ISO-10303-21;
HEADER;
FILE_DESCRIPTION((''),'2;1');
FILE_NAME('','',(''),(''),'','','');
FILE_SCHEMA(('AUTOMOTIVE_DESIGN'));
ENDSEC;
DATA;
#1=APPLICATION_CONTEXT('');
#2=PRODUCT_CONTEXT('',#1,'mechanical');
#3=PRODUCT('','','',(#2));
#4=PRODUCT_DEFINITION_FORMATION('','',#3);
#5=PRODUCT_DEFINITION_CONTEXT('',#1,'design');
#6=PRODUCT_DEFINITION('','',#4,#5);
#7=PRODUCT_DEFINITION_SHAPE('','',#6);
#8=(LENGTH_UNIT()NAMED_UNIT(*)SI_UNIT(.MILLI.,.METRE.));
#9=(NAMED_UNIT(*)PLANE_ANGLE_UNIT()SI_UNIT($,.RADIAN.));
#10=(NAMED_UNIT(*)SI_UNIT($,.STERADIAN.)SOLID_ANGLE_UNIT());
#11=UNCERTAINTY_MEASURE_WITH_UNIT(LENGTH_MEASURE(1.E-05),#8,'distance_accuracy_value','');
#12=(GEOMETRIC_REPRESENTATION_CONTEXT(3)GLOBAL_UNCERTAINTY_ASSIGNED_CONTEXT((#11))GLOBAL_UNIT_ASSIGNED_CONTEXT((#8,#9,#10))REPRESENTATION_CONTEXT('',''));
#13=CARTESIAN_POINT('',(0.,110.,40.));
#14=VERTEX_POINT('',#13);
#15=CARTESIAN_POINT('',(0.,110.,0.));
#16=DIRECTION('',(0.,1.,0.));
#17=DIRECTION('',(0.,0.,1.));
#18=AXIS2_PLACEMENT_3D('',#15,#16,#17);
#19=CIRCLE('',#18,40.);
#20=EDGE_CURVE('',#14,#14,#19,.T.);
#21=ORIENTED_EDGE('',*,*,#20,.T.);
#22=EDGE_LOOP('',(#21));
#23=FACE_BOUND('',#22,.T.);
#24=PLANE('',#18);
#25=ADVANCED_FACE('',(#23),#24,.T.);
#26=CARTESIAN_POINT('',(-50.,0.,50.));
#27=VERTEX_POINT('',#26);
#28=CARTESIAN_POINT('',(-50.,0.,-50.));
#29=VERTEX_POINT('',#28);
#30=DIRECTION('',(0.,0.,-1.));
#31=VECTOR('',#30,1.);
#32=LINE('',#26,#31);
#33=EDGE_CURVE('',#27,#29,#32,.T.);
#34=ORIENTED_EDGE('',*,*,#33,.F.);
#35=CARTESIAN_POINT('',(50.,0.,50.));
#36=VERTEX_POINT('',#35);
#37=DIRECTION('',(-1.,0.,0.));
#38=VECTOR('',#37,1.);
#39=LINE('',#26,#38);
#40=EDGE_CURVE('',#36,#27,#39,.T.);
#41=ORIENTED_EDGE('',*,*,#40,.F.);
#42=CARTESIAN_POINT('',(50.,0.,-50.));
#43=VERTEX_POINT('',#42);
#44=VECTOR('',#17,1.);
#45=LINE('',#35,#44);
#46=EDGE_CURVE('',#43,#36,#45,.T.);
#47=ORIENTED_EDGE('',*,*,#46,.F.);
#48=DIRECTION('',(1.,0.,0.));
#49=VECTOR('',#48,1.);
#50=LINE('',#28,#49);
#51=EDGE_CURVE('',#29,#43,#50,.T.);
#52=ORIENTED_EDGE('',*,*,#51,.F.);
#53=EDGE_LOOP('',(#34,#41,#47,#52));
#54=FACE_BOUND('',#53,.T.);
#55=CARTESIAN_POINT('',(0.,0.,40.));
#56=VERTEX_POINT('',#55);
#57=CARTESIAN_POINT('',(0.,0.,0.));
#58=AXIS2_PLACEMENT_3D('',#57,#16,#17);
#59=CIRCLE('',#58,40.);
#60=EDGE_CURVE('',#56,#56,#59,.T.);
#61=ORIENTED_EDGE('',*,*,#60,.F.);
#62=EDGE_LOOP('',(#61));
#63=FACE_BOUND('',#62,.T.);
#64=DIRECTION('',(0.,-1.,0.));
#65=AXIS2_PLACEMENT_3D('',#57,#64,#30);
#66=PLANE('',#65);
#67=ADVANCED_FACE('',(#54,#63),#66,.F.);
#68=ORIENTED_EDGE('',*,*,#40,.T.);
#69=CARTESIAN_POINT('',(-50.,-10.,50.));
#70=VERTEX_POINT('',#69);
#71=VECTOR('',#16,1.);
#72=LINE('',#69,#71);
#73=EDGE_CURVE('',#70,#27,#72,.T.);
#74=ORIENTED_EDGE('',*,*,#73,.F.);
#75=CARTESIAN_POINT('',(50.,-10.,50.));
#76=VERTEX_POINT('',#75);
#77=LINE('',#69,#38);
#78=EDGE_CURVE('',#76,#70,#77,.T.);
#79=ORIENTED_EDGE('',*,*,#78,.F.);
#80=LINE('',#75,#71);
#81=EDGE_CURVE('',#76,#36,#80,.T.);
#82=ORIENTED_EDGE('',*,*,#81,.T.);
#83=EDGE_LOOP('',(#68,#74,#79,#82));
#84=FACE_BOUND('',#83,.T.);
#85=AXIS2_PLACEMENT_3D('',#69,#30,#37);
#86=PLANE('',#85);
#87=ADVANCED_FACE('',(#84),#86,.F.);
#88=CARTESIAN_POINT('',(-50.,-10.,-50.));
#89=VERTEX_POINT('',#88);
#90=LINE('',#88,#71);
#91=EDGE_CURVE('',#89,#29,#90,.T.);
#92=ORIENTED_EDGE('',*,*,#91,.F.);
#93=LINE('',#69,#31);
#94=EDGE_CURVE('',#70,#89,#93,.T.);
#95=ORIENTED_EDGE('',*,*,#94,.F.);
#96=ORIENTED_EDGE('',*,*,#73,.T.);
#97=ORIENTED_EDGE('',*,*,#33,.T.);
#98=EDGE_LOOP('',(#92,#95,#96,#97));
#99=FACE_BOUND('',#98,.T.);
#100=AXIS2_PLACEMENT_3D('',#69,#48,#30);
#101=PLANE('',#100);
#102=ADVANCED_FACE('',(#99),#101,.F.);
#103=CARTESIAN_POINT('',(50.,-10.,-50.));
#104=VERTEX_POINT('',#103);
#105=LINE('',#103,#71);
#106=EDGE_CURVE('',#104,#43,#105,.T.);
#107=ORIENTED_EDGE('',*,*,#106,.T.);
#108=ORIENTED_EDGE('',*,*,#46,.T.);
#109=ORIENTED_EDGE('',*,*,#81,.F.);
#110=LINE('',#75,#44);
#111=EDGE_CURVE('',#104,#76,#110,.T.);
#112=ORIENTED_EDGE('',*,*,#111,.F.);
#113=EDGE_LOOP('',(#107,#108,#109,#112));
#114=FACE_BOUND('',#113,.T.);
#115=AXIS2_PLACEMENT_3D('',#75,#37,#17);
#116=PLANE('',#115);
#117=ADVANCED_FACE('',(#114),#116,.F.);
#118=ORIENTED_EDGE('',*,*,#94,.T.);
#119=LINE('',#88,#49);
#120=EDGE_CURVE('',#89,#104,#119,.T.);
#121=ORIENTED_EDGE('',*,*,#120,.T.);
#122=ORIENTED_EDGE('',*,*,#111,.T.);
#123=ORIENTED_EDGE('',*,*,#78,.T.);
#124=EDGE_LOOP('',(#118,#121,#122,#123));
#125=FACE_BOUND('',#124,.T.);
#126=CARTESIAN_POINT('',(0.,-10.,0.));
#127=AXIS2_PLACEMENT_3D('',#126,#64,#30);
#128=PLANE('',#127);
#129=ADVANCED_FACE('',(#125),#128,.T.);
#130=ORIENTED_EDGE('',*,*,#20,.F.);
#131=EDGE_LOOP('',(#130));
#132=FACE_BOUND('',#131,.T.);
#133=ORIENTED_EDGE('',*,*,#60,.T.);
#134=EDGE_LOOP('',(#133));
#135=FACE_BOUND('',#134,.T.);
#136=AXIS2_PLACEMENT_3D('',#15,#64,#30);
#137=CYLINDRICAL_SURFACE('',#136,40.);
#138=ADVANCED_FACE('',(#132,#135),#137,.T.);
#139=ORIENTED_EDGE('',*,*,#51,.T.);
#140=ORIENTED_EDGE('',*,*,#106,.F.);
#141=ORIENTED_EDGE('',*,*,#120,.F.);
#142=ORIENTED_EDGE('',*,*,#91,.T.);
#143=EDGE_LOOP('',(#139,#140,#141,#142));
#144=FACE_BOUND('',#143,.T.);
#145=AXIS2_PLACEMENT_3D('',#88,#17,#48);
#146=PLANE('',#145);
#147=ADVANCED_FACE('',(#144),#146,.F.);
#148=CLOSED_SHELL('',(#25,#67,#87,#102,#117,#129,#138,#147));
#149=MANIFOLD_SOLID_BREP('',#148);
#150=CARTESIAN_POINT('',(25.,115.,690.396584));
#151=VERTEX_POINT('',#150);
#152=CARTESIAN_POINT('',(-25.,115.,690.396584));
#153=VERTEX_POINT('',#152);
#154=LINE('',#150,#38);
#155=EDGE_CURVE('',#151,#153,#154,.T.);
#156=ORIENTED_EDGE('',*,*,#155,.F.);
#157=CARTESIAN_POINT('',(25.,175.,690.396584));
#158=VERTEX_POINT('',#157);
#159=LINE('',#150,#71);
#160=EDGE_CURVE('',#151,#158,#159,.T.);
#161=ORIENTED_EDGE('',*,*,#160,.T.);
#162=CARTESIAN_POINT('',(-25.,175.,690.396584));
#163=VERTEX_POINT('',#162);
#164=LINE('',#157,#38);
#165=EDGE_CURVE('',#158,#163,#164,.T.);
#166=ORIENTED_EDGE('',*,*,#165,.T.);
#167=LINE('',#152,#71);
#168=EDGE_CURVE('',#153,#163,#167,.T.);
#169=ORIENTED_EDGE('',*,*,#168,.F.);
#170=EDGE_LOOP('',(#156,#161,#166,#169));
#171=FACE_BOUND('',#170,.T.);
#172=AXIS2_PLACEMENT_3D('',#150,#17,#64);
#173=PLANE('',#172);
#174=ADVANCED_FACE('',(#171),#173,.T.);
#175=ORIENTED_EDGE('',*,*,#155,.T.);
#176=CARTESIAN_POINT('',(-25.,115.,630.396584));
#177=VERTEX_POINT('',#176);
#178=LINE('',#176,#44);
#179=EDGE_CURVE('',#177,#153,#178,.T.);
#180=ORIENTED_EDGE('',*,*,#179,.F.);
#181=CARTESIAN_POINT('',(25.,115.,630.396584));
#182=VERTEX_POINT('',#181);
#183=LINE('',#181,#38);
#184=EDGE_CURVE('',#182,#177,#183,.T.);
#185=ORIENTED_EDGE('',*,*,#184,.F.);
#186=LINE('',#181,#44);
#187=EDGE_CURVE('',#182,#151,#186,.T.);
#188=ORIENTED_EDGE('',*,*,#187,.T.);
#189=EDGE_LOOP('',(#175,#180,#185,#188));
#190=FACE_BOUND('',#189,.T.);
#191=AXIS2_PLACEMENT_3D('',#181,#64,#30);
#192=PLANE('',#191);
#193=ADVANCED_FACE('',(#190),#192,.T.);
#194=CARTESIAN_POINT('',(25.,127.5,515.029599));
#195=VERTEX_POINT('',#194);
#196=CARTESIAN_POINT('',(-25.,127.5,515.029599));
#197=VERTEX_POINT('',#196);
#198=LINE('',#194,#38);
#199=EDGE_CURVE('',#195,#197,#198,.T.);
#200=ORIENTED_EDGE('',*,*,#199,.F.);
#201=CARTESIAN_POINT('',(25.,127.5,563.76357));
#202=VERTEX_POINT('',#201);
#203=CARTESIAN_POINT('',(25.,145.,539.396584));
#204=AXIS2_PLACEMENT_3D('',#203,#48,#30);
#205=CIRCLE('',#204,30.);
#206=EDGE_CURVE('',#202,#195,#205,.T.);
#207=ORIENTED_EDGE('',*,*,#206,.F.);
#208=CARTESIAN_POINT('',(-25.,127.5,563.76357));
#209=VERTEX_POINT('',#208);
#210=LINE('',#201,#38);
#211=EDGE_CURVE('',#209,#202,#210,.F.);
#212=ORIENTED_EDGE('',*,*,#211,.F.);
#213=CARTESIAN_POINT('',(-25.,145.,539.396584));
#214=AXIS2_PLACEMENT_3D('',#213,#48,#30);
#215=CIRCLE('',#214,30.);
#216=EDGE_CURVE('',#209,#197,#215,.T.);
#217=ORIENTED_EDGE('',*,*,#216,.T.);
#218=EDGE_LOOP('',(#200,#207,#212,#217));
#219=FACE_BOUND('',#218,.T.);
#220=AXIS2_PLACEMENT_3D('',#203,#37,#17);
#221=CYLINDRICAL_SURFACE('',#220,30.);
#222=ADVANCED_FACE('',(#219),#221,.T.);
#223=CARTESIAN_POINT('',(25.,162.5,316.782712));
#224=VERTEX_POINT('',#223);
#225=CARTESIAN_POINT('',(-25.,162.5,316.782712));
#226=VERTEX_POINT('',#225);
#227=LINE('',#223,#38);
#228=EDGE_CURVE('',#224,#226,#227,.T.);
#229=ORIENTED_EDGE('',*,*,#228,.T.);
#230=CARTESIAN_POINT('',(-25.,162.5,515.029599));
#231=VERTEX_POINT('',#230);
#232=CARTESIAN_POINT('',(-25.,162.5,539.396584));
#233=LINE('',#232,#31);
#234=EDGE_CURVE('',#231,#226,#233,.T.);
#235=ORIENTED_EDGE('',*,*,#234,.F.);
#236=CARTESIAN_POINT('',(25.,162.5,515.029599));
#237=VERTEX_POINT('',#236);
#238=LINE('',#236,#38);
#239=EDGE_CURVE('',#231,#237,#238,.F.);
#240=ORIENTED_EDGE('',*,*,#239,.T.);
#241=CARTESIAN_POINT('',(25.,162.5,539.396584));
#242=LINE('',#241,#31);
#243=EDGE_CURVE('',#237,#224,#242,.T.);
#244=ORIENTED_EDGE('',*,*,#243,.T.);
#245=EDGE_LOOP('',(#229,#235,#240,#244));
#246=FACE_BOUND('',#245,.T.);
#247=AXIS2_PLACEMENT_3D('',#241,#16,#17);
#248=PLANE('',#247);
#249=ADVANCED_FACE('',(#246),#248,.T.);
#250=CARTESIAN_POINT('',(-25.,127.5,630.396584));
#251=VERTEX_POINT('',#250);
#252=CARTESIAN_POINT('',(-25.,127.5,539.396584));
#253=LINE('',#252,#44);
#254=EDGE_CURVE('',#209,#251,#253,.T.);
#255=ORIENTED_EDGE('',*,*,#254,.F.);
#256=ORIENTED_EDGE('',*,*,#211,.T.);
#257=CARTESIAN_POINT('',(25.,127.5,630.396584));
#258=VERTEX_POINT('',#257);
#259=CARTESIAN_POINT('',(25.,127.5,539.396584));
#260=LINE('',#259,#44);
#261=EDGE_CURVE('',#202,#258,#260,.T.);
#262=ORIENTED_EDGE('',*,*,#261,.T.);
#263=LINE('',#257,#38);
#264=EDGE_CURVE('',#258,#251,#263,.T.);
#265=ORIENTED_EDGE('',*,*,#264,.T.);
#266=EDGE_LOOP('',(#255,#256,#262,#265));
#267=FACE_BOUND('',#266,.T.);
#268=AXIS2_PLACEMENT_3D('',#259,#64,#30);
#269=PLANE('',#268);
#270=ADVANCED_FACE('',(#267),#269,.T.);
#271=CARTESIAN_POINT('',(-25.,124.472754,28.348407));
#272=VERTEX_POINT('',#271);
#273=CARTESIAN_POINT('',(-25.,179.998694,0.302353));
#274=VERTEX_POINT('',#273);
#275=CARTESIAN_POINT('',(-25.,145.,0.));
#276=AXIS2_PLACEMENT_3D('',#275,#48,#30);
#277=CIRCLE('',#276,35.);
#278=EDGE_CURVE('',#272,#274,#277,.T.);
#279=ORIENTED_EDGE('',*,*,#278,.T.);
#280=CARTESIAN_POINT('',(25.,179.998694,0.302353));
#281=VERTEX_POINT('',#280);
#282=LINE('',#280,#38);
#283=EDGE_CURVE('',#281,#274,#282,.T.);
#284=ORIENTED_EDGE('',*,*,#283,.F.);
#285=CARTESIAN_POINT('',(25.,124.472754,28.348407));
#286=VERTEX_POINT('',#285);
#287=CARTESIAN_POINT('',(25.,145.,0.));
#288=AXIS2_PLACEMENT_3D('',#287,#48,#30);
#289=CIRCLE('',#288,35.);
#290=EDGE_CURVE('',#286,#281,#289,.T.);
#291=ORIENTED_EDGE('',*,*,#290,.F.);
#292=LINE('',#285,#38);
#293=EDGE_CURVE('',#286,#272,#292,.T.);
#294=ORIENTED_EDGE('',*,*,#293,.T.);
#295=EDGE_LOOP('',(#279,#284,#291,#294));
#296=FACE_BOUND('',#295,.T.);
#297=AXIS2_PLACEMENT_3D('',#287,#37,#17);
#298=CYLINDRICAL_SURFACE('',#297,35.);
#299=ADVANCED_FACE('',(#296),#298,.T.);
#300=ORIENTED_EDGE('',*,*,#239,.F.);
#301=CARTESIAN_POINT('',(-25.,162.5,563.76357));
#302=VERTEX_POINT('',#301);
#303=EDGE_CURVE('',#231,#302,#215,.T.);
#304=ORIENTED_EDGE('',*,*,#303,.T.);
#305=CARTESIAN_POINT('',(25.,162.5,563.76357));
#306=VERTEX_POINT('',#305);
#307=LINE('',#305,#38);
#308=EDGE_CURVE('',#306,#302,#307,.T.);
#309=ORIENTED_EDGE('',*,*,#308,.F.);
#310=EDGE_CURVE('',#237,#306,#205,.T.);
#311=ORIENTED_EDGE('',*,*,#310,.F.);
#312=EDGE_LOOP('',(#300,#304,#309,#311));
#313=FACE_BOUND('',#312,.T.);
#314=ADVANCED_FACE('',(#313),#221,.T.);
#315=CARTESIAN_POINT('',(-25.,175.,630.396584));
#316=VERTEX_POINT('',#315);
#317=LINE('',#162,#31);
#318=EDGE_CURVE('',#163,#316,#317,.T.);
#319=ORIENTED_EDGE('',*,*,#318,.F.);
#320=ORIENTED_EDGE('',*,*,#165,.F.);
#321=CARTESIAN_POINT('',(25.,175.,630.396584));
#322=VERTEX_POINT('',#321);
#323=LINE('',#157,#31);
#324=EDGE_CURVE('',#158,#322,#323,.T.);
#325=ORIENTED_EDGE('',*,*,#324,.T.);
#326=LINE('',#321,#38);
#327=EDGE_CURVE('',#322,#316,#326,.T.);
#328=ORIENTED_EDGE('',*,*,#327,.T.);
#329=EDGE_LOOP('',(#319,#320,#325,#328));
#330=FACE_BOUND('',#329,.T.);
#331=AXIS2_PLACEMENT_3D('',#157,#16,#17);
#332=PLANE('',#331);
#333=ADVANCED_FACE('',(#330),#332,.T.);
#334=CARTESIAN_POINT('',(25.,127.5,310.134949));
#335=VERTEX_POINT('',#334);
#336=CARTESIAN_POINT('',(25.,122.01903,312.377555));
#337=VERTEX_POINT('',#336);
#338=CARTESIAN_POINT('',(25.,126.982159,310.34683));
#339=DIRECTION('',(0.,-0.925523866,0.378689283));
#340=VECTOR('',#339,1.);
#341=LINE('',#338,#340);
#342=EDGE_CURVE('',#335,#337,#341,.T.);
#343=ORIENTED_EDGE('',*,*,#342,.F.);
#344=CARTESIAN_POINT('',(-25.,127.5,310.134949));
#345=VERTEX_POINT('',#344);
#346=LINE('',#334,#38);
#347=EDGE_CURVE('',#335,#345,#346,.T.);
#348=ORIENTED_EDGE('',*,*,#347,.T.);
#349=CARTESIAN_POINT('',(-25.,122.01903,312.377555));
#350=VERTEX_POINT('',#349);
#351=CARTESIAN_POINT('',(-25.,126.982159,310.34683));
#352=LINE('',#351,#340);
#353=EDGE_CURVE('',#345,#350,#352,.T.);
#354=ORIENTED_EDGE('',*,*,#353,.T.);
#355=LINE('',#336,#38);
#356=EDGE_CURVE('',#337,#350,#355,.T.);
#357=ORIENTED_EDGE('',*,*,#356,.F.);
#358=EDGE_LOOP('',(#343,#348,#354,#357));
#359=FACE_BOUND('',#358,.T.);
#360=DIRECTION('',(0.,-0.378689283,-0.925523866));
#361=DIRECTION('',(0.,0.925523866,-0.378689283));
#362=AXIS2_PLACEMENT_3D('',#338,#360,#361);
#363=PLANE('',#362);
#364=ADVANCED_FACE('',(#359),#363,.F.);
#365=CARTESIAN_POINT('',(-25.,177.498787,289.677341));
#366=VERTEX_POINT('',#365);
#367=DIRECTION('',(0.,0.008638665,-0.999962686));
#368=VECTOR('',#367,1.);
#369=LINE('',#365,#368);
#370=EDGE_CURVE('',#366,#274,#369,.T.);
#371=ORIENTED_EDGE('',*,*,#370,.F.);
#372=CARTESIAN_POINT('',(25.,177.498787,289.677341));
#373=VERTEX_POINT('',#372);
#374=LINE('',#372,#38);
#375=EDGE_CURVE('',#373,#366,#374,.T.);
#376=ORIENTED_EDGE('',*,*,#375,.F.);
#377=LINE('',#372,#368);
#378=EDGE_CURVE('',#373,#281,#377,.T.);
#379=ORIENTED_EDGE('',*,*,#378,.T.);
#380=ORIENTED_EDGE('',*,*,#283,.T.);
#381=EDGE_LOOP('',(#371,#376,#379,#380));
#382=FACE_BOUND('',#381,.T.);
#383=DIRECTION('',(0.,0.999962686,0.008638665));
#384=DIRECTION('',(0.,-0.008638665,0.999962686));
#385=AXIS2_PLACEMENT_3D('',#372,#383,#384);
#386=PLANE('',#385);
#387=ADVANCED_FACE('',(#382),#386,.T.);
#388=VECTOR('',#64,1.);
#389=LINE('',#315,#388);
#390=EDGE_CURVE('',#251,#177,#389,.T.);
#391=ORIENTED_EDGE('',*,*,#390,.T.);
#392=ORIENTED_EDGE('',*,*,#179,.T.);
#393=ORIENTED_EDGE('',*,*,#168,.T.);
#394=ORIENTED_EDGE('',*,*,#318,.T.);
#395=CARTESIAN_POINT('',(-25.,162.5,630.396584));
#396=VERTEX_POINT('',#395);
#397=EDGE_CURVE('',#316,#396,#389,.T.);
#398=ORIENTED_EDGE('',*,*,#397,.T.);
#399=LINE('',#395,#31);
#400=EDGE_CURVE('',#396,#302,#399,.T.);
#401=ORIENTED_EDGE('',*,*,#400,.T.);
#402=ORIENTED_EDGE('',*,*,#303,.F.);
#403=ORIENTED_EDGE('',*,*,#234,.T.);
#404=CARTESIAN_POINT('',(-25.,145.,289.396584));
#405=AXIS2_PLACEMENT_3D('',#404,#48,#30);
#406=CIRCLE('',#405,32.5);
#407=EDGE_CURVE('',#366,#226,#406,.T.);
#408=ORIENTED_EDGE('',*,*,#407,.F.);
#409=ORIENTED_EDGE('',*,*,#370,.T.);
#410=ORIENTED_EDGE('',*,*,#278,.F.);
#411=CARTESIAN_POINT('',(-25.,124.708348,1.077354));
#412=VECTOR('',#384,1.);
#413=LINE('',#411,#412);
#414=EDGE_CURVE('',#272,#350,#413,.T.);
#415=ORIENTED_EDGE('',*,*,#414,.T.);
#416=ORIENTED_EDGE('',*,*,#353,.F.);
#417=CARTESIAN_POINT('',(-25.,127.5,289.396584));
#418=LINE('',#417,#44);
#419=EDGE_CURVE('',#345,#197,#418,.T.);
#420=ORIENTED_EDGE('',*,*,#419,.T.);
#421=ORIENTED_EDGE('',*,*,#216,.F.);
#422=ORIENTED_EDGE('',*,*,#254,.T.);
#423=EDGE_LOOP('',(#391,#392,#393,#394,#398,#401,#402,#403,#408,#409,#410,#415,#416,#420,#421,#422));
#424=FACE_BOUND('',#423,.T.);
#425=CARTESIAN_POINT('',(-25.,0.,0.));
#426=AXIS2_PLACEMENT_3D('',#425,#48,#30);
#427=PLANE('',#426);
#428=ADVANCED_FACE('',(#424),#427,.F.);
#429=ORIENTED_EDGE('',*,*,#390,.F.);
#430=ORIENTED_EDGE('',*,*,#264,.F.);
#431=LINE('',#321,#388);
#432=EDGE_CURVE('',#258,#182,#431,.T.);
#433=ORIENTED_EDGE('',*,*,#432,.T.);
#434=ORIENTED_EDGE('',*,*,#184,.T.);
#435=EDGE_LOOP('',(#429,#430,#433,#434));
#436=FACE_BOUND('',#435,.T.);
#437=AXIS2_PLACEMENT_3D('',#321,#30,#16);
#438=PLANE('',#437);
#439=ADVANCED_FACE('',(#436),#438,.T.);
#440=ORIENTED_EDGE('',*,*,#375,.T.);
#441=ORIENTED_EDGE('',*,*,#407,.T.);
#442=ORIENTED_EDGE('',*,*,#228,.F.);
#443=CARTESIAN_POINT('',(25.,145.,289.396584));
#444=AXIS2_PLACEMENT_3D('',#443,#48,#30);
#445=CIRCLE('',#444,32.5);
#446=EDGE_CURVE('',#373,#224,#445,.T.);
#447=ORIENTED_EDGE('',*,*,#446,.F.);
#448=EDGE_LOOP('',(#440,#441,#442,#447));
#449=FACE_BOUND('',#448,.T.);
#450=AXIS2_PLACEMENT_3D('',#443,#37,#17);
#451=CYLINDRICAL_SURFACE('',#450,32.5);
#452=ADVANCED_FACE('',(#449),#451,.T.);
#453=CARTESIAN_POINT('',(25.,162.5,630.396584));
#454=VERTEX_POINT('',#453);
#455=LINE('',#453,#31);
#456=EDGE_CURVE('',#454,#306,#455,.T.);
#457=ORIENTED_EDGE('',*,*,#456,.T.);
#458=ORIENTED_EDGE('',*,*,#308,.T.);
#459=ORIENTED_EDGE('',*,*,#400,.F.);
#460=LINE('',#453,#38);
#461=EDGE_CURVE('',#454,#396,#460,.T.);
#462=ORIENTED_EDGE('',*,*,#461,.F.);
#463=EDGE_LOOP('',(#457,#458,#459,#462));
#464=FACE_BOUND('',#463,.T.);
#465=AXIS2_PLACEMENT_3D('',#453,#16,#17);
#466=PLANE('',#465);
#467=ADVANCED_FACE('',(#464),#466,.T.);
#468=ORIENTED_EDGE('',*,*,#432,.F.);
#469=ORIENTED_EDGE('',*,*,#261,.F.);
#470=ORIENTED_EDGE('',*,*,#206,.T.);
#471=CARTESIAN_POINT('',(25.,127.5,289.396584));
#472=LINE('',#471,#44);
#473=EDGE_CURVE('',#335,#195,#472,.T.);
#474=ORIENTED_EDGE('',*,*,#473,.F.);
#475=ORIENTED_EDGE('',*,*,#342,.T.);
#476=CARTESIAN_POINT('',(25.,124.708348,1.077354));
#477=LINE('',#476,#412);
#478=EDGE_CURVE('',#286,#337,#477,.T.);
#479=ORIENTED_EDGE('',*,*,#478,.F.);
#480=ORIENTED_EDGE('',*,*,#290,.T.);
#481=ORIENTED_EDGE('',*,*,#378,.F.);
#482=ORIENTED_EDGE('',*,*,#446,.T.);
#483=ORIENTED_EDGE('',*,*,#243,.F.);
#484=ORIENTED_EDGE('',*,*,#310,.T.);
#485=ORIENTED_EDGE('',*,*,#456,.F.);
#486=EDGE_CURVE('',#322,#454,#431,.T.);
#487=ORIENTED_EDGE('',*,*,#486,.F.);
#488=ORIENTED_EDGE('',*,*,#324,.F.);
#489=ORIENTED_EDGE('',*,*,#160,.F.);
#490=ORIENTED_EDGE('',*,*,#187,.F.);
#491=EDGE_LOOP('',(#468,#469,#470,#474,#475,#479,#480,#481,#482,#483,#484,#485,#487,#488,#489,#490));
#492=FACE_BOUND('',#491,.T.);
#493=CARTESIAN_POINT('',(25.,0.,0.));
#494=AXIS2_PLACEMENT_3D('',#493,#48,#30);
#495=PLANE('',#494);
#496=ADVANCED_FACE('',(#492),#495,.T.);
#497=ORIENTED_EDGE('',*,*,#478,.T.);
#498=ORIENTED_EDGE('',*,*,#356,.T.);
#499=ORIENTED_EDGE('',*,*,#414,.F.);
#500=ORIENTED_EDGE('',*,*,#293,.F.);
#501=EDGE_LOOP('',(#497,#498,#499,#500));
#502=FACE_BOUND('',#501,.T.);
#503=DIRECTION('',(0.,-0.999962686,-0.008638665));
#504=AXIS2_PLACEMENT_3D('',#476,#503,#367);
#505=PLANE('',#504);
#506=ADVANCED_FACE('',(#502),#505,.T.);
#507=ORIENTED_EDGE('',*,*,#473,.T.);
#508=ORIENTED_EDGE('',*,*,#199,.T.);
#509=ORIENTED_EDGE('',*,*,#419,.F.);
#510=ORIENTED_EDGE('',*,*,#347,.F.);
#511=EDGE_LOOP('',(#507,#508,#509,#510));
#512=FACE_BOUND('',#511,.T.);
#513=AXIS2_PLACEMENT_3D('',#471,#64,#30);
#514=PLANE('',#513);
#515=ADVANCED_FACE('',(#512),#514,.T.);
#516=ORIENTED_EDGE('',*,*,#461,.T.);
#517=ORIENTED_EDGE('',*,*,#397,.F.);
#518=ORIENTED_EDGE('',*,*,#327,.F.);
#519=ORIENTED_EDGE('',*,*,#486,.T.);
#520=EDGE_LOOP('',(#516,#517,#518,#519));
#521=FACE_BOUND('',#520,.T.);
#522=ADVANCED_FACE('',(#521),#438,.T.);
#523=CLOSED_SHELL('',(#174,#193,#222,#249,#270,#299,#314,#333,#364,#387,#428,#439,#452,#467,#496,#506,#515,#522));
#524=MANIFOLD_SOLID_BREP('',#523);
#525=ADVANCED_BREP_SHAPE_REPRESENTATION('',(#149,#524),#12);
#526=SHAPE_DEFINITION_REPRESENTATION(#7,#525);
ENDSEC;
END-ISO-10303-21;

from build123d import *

# Parameters (mm, degrees)
SKETCH1_R           = 40
BOSS_EXTRUDE1_DEPTH = 110
SKETCH2_W           = 100
SKETCH2_H           = 100
BOSS_EXTRUDE2_DEPTH = 10
BOSS_EXTRUDE3_DEPTH = 25


with BuildPart() as part:
    # Sketch1 → Boss-Extrude1 (new body)
    with BuildSketch(Plane(origin=(0, 0, 0), x_dir=(1, 0, 0), z_dir=(0, 1, 0))):
        with Locations(Location((0, 0, 0), (0, 0, 270))):
            Circle(SKETCH1_R)
    extrude(amount=BOSS_EXTRUDE1_DEPTH)

    # Sketch2 → Boss-Extrude2 (add)
    with BuildSketch(Plane.XZ):
        Rectangle(SKETCH2_W, SKETCH2_H)
    extrude(amount=BOSS_EXTRUDE2_DEPTH)


with BuildPart() as body_2:
    # Sketch3 → Boss-Extrude3 (new, symmetric)
    with BuildSketch(Plane(origin=(0, 0, 0), x_dir=(0, 0, -1), z_dir=(1, 0, 0))):
        with BuildLine():
            Line((-0.302353258, 179.998694011), (-289.677340984, 177.498787296))
            ThreePointArc((-289.677340984, 177.498787296), (-305.132054802, 173.436683541), (-316.782712263, 162.5))
            Line((-316.782712263, 162.5), (-515.029598525, 162.5))
            ThreePointArc((-515.029598525, 162.5), (-539.396584387, 175), (-563.763570249, 162.5))
            Line((-563.763570249, 162.5), (-630.396584387, 162.5))
            Line((-630.396584387, 162.5), (-630.396584387, 175))
            Line((-630.396584387, 175), (-690.396584387, 175))
            Line((-690.396584387, 175), (-690.396584387, 115))
            Line((-690.396584387, 115), (-630.396584387, 115))
            Line((-630.396584387, 115), (-630.396584387, 127.5))
            Line((-630.396584387, 127.5), (-563.763570249, 127.5))
            ThreePointArc((-563.763570249, 127.5), (-539.396584387, 115), (-515.029598525, 127.5))
            Line((-515.029598525, 127.5), (-310.134949458, 127.5))
            Line((-310.134949458, 127.5), (-312.377554776, 122.019029611))
            Line((-312.377554776, 122.019029611), (-28.348406637, 124.472753689))
            ThreePointArc((-28.348406637, 124.472753689), (31.240983064, 129.220235199), (-0.302353258, 179.998694011))
        make_face()
    extrude(amount=BOSS_EXTRUDE3_DEPTH, both=True)


solid = Compound([part.part, body_2.part])
